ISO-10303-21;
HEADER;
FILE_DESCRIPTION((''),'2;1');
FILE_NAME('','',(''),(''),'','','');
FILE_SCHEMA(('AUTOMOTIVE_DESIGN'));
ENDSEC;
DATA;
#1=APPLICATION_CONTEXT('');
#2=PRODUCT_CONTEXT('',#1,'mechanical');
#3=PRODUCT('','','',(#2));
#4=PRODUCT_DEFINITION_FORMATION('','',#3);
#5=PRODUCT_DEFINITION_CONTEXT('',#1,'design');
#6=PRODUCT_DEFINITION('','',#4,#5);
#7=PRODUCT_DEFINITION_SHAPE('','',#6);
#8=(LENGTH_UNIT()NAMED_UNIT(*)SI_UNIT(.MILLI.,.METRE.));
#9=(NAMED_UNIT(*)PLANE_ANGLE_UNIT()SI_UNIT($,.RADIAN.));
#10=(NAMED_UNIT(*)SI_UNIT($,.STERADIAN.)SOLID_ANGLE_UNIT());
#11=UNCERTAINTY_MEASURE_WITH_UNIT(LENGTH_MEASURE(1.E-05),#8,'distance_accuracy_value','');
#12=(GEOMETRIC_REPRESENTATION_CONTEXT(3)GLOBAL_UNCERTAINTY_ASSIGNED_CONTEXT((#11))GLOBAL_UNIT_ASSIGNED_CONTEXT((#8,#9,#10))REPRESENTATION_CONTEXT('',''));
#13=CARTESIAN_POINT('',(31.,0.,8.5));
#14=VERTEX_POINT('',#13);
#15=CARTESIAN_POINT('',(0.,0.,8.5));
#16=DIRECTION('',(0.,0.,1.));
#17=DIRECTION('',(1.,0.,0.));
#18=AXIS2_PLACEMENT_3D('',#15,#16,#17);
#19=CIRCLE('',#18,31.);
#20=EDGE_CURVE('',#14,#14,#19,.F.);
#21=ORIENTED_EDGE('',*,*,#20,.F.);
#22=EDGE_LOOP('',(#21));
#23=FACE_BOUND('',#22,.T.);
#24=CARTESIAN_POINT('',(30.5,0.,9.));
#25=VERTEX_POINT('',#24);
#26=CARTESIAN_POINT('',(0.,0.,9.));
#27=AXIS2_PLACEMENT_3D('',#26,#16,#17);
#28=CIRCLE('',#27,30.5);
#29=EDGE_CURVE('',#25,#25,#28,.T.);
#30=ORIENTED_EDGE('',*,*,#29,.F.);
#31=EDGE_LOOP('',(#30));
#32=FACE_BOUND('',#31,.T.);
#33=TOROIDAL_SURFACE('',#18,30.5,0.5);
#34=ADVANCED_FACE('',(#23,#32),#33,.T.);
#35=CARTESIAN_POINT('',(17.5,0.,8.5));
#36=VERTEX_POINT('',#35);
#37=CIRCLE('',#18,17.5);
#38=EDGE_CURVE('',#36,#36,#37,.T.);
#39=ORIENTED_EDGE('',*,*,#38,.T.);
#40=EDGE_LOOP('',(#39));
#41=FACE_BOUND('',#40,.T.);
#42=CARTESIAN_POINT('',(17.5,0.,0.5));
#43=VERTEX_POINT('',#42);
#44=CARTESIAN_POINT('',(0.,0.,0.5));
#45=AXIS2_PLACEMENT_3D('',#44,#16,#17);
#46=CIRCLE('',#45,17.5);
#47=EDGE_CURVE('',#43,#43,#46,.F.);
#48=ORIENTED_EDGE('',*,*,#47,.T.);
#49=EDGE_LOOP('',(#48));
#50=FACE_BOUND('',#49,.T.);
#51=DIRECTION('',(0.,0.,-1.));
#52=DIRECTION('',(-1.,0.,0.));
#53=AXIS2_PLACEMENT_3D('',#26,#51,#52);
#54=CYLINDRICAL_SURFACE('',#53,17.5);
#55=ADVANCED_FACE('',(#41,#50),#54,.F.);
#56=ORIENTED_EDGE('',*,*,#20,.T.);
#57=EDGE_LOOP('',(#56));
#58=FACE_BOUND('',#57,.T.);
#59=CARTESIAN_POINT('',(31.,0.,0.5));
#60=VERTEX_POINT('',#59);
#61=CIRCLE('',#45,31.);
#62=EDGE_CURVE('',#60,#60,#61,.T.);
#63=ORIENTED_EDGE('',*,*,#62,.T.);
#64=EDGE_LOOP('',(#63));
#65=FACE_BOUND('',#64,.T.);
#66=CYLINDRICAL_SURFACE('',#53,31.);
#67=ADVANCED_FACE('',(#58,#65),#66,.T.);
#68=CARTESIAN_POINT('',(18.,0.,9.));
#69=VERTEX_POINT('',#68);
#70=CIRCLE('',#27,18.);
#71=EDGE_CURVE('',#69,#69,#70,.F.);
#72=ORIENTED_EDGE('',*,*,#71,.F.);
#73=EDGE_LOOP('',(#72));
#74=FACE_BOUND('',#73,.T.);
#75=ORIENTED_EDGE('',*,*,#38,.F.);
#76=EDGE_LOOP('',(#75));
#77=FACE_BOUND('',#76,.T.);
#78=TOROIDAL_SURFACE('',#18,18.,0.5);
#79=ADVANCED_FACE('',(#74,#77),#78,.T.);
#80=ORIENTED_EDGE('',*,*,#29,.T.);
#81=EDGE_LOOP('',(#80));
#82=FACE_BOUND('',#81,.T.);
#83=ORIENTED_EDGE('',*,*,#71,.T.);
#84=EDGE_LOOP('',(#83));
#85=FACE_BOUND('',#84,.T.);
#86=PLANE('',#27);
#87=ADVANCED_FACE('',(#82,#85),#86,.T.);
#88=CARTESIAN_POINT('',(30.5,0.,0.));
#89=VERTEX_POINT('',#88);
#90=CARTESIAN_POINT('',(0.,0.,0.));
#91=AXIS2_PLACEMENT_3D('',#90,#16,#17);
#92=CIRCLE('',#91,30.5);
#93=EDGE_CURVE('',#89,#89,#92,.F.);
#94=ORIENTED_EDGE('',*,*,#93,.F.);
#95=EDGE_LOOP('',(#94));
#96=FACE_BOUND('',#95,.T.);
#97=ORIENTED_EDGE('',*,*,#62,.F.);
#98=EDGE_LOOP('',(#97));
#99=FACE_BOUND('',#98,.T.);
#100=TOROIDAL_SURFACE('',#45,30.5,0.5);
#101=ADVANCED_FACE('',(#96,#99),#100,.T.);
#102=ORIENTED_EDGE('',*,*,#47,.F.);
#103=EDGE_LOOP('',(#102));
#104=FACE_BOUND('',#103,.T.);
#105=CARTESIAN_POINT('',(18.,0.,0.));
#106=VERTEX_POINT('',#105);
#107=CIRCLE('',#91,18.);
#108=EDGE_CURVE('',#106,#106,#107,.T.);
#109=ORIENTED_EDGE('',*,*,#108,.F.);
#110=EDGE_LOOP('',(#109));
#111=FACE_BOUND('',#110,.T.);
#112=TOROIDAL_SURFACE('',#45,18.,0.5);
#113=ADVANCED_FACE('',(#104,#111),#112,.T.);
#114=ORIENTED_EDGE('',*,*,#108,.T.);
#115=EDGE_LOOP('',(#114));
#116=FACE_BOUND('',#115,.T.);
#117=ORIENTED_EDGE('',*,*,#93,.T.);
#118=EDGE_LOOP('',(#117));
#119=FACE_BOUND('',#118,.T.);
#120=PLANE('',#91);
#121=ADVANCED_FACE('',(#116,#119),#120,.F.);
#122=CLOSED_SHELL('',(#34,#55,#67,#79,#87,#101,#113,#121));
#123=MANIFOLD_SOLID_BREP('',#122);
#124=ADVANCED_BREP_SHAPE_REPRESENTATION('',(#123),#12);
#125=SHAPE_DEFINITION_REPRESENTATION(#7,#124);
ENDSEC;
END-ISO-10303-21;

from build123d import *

# Parameters (mm, degrees)
SKETCH_1_R      = 31
SKETCH_1_R_2    = 17.5
EXTRUDE_1_DEPTH = 9
FILLET_1_R      = 0.5


with BuildPart() as part:
    # 草图1 → 拉伸1 (new body)
    with BuildSketch(Plane.XY):
        Circle(SKETCH_1_R)
        Circle(SKETCH_1_R_2, mode=Mode.SUBTRACT)
    extrude(amount=EXTRUDE_1_DEPTH)

    # 圆角1
    fillet_1_edges = [part.edges().sort_by_distance(p)[0] for p in [
        (-31, 0, 0),
        (-31, 0, 9),
        (-17.5, 0, 0),
        (-17.5, 0, 9),
    ]]
    fillet(fillet_1_edges, radius=FILLET_1_R)


solid = part.part
